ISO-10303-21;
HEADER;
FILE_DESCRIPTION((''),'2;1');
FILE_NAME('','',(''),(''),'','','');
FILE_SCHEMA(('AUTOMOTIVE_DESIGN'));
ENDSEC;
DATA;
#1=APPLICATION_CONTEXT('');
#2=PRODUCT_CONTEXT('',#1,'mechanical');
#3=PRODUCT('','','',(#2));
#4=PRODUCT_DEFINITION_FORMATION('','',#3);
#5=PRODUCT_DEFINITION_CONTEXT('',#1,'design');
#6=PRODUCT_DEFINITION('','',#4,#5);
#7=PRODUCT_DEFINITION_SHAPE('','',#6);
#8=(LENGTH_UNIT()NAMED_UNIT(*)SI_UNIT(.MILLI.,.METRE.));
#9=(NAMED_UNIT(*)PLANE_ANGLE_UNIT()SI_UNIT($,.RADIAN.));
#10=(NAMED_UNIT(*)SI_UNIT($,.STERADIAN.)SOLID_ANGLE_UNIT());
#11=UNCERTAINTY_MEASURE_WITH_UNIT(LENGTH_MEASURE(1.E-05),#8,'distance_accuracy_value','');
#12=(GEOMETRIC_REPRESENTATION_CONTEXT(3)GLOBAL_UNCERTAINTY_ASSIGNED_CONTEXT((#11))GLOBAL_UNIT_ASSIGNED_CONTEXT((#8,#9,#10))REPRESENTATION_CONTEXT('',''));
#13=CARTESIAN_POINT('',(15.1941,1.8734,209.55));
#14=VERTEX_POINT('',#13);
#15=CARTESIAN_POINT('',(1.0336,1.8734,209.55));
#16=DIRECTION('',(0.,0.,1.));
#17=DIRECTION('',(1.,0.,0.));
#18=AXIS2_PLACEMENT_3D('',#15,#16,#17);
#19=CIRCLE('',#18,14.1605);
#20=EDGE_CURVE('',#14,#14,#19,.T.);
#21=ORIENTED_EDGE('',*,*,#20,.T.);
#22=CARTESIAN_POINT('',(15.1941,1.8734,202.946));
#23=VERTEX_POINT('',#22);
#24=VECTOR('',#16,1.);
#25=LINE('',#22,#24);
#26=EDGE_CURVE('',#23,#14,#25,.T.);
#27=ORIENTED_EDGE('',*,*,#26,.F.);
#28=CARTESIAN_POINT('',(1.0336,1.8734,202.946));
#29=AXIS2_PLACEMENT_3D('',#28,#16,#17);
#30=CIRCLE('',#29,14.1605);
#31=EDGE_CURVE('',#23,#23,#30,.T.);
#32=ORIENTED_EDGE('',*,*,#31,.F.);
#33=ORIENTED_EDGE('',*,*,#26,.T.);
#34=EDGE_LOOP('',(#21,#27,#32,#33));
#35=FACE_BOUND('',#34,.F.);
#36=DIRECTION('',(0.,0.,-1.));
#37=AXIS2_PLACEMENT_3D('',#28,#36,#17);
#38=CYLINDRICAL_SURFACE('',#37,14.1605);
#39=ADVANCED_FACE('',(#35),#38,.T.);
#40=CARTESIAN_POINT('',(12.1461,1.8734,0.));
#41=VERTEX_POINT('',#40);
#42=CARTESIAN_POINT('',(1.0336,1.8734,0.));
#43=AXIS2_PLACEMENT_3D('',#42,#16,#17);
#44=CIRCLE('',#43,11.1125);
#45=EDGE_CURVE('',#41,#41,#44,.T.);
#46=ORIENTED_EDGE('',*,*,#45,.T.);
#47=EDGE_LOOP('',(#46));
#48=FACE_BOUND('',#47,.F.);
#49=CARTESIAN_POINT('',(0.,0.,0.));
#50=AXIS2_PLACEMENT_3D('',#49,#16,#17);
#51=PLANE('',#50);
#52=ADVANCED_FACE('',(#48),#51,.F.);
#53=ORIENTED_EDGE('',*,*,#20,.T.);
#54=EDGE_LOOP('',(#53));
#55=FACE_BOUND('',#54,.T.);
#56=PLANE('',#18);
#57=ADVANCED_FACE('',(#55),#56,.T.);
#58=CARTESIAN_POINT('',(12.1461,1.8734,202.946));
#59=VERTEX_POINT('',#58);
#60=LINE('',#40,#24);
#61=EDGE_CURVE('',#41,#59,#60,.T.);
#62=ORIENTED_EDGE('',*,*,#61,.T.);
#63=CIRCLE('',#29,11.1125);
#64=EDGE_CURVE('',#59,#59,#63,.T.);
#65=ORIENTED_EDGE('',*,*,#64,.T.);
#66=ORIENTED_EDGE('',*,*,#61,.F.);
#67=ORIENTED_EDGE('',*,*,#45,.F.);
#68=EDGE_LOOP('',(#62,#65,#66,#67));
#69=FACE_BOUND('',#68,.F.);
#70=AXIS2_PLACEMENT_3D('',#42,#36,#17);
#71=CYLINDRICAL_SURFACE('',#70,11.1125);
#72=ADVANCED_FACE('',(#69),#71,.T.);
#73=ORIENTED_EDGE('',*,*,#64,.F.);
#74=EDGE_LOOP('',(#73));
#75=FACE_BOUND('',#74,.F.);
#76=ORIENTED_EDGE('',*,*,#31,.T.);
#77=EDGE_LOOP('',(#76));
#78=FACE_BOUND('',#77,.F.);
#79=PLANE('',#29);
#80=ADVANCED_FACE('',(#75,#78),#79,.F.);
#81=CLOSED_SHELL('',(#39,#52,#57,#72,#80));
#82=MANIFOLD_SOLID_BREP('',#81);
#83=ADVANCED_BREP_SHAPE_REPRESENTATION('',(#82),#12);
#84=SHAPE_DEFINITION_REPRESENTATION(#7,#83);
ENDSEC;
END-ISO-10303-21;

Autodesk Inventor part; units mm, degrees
ref_plane "YZ Plane" through (0, 0, 0) normal (1, 0, 0) x (0, 1, 0)
ref_plane "XZ Plane" through (0, 0, 0) normal (0, 1, 0) x (-1, 0, 0)
ref_plane "XY Plane" through (0, 0, 0) normal (0, 0, 1) x (1, 0, 0)
sketch "Sketch1" plane through (0, 0, 0) normal (0, 0, 1) x (1, 0, 0)
  circle A0 centre (1.0336, 1.8734) radius 11.1125
  dimension "d0" = 22.225
extrude "Extrusion1" add sketch "Sketch1" along normal blind 202.946
sketch "Sketch2" plane through (1.0336, 1.8734, 202.946) normal (0, 0, 1) x (1, 0, 0)
  circle A0 centre (0, 0) radius 11.1125 projected
  circle A1 centre (0, 0) radius 14.1605
  dimension "d3" = 28.321
extrude "Extrusion2" add sketch "Sketch2" along normal blind 6.604 contours A0 | A1
properties part number "Pin1-P1"
